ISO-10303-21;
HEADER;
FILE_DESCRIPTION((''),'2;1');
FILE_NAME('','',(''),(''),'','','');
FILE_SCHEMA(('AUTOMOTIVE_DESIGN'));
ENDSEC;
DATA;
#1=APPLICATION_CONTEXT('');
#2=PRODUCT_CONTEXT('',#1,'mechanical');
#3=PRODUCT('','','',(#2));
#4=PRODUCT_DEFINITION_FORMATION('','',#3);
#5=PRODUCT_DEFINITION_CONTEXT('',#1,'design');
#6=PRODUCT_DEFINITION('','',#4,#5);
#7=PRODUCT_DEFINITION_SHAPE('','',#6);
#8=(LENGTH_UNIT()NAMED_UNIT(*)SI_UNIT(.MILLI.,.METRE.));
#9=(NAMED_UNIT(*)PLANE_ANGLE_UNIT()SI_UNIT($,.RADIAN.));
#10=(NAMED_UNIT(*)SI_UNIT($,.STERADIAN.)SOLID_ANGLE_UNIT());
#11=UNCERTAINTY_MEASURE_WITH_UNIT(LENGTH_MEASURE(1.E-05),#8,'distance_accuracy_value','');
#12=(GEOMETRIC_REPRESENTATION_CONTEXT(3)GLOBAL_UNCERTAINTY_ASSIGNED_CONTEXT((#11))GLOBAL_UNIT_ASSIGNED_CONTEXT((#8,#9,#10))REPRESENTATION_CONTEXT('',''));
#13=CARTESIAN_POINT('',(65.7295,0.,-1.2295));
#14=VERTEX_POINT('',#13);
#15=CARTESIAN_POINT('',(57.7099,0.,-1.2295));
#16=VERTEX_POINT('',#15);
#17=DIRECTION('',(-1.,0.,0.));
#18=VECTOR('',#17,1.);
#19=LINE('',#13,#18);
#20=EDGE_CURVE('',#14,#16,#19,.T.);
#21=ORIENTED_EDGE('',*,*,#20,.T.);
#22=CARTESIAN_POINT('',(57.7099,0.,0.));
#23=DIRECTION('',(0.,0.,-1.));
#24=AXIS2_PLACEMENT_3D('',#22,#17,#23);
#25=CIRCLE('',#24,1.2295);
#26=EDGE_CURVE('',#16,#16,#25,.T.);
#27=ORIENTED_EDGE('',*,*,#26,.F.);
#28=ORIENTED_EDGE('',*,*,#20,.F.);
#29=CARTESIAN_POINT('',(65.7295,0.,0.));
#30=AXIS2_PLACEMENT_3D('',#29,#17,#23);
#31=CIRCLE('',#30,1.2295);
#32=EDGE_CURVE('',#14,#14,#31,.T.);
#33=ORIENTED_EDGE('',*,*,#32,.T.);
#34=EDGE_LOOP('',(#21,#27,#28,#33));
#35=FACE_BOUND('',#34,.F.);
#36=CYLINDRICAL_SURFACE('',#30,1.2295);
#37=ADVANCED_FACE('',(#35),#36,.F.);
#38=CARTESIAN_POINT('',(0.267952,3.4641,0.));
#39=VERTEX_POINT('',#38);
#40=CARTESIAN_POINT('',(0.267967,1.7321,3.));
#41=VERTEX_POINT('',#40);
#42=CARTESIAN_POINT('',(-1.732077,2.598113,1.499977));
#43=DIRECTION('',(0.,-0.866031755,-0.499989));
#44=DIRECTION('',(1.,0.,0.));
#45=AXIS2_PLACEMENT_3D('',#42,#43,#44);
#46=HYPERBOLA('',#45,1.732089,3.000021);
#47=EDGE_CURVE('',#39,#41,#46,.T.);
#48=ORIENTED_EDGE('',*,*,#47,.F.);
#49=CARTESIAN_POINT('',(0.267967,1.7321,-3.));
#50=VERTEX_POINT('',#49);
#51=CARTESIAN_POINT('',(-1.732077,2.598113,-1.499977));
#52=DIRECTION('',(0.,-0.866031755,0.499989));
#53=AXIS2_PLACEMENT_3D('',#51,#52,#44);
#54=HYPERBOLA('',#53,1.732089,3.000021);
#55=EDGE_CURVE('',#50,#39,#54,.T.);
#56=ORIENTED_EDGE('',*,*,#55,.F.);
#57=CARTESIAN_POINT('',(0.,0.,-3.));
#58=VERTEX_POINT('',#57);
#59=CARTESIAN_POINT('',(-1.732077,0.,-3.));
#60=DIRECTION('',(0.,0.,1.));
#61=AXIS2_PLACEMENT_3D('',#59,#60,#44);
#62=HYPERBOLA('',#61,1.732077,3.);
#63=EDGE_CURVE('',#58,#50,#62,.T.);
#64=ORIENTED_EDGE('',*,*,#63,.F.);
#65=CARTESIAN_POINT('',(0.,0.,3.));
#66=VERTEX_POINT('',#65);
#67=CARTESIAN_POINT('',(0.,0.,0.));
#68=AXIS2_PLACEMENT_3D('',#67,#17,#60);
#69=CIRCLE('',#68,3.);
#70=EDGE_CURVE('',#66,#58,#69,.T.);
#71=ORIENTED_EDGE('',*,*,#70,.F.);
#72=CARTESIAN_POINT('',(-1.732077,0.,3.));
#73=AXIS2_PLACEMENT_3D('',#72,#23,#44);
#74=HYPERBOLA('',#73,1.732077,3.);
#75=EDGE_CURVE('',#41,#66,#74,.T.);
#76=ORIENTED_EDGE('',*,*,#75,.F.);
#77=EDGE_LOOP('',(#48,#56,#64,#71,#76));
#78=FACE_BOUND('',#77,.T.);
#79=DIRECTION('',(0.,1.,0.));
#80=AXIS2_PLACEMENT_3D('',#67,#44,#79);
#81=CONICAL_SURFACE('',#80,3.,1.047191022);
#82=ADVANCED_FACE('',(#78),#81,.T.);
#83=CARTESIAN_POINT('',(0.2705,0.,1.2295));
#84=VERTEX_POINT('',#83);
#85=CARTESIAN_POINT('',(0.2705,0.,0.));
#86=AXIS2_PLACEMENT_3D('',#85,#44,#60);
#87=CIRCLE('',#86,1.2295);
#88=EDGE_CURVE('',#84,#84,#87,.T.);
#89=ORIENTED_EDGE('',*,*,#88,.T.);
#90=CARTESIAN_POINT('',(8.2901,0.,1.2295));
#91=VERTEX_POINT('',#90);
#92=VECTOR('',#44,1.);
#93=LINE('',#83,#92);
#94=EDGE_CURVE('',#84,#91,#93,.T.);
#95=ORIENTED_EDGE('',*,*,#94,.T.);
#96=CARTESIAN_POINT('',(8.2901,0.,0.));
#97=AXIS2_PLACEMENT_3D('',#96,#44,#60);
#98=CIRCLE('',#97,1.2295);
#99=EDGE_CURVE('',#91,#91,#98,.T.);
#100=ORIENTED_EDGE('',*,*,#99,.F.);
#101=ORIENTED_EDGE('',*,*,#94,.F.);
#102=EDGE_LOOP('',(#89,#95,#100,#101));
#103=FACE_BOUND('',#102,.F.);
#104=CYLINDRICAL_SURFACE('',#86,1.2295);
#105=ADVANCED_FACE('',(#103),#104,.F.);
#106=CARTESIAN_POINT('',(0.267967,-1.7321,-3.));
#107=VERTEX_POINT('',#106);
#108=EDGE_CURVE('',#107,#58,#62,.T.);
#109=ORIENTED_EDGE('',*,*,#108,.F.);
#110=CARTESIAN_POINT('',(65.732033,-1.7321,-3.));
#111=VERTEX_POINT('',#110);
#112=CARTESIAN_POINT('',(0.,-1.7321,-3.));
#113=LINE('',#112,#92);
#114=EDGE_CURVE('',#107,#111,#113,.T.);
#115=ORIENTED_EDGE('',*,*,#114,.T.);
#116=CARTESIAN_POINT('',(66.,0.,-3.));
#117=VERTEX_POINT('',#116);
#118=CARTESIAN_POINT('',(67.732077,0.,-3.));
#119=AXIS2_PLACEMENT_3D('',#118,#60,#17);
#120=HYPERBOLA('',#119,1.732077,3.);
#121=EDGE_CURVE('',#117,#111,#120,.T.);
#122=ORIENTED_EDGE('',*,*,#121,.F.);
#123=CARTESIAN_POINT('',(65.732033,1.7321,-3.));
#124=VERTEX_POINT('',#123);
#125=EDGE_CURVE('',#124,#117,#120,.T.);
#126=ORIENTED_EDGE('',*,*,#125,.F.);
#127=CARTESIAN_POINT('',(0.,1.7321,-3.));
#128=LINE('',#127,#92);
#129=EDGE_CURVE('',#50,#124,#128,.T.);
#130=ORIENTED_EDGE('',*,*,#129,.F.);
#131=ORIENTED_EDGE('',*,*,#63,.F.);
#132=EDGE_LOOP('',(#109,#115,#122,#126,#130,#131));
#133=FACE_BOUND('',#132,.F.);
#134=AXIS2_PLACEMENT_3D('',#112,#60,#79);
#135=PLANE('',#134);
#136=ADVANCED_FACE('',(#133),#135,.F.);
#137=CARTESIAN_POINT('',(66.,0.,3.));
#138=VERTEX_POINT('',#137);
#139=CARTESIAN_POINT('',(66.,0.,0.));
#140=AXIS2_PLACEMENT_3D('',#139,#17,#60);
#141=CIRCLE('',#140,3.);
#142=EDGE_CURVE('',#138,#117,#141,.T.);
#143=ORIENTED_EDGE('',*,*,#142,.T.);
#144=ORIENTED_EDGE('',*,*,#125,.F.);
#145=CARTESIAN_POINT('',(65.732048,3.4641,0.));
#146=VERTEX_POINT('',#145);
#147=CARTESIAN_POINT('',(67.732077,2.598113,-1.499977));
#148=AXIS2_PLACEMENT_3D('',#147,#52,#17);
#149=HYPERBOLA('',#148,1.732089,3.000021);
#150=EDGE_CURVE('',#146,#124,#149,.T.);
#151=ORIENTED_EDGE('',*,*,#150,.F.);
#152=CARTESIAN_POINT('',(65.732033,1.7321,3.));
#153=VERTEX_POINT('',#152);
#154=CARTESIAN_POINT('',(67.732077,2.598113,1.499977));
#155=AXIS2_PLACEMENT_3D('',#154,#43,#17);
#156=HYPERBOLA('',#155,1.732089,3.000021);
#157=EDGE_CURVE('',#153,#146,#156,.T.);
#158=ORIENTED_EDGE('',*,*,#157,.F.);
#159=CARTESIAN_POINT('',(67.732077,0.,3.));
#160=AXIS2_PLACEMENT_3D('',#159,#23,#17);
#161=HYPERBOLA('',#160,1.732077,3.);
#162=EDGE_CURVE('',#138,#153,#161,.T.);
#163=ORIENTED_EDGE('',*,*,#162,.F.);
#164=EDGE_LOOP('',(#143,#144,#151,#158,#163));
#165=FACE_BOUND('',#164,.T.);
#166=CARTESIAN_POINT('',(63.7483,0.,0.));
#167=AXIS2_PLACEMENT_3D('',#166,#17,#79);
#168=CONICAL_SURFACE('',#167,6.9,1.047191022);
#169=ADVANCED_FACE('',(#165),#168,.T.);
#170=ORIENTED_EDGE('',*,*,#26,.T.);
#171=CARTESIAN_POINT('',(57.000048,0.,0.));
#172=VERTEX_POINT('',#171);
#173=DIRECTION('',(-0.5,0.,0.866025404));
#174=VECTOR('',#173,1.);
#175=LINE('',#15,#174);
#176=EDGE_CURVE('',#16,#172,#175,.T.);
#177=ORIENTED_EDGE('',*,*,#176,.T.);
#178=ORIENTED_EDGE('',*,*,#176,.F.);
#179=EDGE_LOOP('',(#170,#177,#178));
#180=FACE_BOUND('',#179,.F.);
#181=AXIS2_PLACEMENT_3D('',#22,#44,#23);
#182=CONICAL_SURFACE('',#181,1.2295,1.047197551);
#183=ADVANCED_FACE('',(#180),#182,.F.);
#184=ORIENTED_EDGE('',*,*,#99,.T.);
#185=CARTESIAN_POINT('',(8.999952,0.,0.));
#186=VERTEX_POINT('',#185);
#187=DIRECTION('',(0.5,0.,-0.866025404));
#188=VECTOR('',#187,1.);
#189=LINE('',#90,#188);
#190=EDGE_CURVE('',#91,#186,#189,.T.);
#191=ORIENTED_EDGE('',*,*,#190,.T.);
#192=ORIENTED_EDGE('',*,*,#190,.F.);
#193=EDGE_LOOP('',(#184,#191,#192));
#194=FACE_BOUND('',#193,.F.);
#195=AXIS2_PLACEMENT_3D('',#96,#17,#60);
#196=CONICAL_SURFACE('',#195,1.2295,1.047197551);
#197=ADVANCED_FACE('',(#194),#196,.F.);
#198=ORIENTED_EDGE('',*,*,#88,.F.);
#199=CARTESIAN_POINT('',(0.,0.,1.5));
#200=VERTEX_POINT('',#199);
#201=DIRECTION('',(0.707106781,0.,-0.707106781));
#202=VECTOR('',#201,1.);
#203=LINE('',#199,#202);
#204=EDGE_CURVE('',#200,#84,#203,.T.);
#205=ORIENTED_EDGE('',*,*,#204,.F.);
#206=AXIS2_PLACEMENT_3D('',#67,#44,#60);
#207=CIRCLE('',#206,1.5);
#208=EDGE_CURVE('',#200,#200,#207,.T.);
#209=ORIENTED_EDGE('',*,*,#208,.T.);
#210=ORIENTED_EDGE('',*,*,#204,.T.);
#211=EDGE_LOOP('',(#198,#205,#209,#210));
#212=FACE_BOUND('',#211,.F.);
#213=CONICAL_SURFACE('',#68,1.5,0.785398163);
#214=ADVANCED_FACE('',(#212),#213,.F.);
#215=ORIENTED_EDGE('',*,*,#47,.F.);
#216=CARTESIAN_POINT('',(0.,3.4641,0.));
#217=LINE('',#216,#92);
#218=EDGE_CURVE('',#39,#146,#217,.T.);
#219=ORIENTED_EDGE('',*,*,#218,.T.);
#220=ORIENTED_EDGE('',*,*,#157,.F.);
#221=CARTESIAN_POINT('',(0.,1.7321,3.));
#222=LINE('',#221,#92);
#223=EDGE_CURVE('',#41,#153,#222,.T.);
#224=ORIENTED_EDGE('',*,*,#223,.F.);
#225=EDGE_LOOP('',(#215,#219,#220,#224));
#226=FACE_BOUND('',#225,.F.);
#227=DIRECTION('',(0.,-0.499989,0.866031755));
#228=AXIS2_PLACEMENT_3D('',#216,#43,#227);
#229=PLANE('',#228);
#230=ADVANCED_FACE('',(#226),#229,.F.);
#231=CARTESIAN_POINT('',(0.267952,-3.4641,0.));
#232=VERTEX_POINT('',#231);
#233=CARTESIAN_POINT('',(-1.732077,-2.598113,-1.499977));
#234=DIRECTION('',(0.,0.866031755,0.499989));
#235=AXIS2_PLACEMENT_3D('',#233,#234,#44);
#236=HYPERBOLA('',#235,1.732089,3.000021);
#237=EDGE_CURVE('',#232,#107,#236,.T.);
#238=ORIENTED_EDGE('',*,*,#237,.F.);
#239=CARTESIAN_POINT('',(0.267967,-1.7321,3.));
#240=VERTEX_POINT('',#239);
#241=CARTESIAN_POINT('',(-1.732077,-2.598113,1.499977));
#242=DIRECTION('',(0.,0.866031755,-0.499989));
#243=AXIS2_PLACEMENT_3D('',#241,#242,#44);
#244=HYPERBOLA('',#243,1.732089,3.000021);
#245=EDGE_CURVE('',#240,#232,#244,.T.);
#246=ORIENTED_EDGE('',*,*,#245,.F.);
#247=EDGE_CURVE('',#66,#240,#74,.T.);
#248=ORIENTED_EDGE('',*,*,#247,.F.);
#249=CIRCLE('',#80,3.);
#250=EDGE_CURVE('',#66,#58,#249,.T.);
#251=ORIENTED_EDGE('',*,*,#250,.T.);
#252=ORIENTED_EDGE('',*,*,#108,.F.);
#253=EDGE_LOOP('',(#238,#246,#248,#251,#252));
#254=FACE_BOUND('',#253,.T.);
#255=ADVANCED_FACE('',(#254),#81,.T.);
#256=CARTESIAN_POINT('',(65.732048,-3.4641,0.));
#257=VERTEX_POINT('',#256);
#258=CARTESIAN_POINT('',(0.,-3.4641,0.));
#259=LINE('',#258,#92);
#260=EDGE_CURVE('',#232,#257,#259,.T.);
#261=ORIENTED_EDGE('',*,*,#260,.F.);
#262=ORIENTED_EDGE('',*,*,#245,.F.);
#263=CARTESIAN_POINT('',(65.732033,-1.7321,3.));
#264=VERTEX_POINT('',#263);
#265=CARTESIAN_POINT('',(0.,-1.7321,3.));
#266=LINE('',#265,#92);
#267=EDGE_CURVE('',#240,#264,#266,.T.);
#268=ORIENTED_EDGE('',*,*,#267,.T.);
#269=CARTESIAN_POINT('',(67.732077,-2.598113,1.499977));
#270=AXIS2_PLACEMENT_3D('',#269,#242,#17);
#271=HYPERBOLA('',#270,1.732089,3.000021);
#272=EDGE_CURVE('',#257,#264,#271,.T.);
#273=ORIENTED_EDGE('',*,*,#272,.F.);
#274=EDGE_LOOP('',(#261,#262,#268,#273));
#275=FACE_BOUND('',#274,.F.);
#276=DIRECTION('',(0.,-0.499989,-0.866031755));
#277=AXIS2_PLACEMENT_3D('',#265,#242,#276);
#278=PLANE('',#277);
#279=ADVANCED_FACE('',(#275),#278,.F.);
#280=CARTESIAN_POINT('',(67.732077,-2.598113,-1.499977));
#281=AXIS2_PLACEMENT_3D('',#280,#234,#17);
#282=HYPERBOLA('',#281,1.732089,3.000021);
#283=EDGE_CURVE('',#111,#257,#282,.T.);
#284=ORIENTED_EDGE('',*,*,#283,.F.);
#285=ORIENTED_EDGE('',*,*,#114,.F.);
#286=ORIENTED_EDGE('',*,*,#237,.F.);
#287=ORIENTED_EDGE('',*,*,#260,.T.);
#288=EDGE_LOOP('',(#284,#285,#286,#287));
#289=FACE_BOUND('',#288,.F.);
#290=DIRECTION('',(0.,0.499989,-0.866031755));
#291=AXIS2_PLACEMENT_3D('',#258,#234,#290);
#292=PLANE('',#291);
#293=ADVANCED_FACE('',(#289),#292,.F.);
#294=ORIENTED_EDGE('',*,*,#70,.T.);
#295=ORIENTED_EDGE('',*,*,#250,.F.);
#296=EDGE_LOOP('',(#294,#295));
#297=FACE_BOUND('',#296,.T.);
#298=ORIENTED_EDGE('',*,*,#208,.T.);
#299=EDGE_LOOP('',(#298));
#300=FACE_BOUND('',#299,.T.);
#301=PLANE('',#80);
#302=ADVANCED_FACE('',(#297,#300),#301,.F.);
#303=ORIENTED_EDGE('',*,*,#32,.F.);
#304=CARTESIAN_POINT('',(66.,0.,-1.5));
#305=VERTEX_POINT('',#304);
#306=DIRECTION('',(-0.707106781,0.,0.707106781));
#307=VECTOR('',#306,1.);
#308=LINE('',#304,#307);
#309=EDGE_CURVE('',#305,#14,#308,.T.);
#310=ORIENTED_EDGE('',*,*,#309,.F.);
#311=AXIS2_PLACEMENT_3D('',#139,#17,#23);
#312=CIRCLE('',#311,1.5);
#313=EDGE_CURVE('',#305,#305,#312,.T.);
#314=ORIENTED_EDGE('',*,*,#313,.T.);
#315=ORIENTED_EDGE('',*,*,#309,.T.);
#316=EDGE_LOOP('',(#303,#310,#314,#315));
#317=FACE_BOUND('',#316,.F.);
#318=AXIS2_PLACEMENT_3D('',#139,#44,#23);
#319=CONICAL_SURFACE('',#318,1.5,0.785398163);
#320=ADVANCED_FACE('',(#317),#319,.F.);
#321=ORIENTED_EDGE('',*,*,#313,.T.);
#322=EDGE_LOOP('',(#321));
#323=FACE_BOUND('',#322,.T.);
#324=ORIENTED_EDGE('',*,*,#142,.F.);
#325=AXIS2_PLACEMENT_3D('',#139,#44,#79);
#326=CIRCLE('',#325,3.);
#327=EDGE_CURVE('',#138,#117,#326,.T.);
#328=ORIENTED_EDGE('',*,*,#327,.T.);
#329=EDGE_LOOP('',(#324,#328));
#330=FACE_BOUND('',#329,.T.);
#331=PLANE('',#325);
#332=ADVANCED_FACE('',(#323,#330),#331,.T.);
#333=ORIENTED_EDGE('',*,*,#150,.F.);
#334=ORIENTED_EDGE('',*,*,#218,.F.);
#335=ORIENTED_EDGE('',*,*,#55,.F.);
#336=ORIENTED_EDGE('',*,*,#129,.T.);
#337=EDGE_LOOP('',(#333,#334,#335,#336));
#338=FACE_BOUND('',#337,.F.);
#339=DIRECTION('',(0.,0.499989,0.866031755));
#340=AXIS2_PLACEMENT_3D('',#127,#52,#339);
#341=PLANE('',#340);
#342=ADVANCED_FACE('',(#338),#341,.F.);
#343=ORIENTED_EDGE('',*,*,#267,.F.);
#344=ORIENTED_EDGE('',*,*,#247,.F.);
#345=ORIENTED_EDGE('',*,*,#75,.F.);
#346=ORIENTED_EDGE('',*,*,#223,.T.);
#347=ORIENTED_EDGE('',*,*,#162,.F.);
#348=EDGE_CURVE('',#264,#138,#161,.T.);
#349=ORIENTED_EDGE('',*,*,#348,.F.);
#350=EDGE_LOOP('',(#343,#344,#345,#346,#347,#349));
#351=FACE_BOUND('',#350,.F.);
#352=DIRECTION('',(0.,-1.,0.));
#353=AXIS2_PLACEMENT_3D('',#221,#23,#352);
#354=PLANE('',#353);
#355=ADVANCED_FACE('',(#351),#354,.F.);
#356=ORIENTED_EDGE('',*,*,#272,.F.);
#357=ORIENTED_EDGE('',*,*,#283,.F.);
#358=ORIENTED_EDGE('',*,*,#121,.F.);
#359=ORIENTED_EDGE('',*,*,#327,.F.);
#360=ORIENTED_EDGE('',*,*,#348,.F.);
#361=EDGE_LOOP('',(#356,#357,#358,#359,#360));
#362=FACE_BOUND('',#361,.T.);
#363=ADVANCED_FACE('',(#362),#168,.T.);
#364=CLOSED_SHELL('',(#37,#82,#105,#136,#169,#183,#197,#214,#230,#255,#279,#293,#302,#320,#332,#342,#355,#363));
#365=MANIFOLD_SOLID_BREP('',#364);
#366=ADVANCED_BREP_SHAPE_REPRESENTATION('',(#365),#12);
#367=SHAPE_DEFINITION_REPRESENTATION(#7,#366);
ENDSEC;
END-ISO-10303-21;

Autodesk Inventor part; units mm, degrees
sketch "Sketch_1" plane through (0, 0, 0) normal (0, 0, 1) x (1, 0, 0)
  line L0 (66, 0) -> (0, 0)
  line L1 (0, 0) -> (0, 3)
  line L2 (0, 3) -> (2.2517, 6.9)
  line L3 (2.2517, 6.9) -> (63.7483, 6.9)
  line L4 (63.7483, 6.9) -> (66, 3)
  line L5 (66, 3) -> (66, 0)
  line L6 (66, 0) -> (0, 0)
revolve "Revolution1" add sketch "Sketch_1" angle 360 about axis through (66, 0, 0) along (1, 0, 0)
sketch "Sketch_2" plane through (0, 0, 0) normal (1, 0, 0) x (0, 1, 0)
  line L0 (6.9, 6.9) -> (-6.9, 6.9)
  line L1 (-6.9, 6.9) -> (-6.9, -6.9)
  line L2 (-6.9, -6.9) -> (6.9, -6.9)
  line L3 (6.9, -6.9) -> (6.9, 6.9)
  line L4 (1.7321, 3) -> (-1.7321, 3)
  line L5 (-1.7321, 3) -> (-3.4641, 0)
  line L6 (-3.4641, 0) -> (-1.7321, -3)
  line L7 (-1.7321, -3) -> (1.7321, -3)
  line L8 (1.7321, -3) -> (3.4641, 0)
  line L9 (3.4641, 0) -> (1.7321, 3)
extrude "Extrusion1" cut sketch "Sketch_2" along normal blind 66
sketch "Sketch3" plane through (0, 0, 0) normal (-1, 0, 0) x (0, 0, 1)
  point P0 (0, 0)
hole "Hole1" at (0, 0, 0) direction (1, 0, 0) diameter 2.459 depth 8.2901 tip angle 120 countersink diameter 3 countersink angle 90 thread size "M3x0.5" class "6H" standard "ISO Metric profile"
sketch "Sketch4" plane through (66, 0, 0) normal (1, 0, 0) x (0, 0, -1)
  point P0 (0, 0)
hole "Hole2" at (66, 0, 0) direction (-1, 0, 0) diameter 2.459 depth 8.2901 tip angle 120 countersink diameter 3 countersink angle 90 thread size "M3x0.5" class "6H" standard "ISO Metric profile"
ref_plane "C2_XY" through (0, 0, 0) normal (1, 0, 0) x (0, 0, -1)
ref_plane "C2_YZ" through (0, 0, 0) normal (0, 0, -1) x (0, 1, 0)
ref_plane "C2_ZX" through (0, 0, 0) normal (0, 1, 0) x (1, 0, 0)
properties part number "ALSFB6-66" material "アルミニウム 2014-T4"
